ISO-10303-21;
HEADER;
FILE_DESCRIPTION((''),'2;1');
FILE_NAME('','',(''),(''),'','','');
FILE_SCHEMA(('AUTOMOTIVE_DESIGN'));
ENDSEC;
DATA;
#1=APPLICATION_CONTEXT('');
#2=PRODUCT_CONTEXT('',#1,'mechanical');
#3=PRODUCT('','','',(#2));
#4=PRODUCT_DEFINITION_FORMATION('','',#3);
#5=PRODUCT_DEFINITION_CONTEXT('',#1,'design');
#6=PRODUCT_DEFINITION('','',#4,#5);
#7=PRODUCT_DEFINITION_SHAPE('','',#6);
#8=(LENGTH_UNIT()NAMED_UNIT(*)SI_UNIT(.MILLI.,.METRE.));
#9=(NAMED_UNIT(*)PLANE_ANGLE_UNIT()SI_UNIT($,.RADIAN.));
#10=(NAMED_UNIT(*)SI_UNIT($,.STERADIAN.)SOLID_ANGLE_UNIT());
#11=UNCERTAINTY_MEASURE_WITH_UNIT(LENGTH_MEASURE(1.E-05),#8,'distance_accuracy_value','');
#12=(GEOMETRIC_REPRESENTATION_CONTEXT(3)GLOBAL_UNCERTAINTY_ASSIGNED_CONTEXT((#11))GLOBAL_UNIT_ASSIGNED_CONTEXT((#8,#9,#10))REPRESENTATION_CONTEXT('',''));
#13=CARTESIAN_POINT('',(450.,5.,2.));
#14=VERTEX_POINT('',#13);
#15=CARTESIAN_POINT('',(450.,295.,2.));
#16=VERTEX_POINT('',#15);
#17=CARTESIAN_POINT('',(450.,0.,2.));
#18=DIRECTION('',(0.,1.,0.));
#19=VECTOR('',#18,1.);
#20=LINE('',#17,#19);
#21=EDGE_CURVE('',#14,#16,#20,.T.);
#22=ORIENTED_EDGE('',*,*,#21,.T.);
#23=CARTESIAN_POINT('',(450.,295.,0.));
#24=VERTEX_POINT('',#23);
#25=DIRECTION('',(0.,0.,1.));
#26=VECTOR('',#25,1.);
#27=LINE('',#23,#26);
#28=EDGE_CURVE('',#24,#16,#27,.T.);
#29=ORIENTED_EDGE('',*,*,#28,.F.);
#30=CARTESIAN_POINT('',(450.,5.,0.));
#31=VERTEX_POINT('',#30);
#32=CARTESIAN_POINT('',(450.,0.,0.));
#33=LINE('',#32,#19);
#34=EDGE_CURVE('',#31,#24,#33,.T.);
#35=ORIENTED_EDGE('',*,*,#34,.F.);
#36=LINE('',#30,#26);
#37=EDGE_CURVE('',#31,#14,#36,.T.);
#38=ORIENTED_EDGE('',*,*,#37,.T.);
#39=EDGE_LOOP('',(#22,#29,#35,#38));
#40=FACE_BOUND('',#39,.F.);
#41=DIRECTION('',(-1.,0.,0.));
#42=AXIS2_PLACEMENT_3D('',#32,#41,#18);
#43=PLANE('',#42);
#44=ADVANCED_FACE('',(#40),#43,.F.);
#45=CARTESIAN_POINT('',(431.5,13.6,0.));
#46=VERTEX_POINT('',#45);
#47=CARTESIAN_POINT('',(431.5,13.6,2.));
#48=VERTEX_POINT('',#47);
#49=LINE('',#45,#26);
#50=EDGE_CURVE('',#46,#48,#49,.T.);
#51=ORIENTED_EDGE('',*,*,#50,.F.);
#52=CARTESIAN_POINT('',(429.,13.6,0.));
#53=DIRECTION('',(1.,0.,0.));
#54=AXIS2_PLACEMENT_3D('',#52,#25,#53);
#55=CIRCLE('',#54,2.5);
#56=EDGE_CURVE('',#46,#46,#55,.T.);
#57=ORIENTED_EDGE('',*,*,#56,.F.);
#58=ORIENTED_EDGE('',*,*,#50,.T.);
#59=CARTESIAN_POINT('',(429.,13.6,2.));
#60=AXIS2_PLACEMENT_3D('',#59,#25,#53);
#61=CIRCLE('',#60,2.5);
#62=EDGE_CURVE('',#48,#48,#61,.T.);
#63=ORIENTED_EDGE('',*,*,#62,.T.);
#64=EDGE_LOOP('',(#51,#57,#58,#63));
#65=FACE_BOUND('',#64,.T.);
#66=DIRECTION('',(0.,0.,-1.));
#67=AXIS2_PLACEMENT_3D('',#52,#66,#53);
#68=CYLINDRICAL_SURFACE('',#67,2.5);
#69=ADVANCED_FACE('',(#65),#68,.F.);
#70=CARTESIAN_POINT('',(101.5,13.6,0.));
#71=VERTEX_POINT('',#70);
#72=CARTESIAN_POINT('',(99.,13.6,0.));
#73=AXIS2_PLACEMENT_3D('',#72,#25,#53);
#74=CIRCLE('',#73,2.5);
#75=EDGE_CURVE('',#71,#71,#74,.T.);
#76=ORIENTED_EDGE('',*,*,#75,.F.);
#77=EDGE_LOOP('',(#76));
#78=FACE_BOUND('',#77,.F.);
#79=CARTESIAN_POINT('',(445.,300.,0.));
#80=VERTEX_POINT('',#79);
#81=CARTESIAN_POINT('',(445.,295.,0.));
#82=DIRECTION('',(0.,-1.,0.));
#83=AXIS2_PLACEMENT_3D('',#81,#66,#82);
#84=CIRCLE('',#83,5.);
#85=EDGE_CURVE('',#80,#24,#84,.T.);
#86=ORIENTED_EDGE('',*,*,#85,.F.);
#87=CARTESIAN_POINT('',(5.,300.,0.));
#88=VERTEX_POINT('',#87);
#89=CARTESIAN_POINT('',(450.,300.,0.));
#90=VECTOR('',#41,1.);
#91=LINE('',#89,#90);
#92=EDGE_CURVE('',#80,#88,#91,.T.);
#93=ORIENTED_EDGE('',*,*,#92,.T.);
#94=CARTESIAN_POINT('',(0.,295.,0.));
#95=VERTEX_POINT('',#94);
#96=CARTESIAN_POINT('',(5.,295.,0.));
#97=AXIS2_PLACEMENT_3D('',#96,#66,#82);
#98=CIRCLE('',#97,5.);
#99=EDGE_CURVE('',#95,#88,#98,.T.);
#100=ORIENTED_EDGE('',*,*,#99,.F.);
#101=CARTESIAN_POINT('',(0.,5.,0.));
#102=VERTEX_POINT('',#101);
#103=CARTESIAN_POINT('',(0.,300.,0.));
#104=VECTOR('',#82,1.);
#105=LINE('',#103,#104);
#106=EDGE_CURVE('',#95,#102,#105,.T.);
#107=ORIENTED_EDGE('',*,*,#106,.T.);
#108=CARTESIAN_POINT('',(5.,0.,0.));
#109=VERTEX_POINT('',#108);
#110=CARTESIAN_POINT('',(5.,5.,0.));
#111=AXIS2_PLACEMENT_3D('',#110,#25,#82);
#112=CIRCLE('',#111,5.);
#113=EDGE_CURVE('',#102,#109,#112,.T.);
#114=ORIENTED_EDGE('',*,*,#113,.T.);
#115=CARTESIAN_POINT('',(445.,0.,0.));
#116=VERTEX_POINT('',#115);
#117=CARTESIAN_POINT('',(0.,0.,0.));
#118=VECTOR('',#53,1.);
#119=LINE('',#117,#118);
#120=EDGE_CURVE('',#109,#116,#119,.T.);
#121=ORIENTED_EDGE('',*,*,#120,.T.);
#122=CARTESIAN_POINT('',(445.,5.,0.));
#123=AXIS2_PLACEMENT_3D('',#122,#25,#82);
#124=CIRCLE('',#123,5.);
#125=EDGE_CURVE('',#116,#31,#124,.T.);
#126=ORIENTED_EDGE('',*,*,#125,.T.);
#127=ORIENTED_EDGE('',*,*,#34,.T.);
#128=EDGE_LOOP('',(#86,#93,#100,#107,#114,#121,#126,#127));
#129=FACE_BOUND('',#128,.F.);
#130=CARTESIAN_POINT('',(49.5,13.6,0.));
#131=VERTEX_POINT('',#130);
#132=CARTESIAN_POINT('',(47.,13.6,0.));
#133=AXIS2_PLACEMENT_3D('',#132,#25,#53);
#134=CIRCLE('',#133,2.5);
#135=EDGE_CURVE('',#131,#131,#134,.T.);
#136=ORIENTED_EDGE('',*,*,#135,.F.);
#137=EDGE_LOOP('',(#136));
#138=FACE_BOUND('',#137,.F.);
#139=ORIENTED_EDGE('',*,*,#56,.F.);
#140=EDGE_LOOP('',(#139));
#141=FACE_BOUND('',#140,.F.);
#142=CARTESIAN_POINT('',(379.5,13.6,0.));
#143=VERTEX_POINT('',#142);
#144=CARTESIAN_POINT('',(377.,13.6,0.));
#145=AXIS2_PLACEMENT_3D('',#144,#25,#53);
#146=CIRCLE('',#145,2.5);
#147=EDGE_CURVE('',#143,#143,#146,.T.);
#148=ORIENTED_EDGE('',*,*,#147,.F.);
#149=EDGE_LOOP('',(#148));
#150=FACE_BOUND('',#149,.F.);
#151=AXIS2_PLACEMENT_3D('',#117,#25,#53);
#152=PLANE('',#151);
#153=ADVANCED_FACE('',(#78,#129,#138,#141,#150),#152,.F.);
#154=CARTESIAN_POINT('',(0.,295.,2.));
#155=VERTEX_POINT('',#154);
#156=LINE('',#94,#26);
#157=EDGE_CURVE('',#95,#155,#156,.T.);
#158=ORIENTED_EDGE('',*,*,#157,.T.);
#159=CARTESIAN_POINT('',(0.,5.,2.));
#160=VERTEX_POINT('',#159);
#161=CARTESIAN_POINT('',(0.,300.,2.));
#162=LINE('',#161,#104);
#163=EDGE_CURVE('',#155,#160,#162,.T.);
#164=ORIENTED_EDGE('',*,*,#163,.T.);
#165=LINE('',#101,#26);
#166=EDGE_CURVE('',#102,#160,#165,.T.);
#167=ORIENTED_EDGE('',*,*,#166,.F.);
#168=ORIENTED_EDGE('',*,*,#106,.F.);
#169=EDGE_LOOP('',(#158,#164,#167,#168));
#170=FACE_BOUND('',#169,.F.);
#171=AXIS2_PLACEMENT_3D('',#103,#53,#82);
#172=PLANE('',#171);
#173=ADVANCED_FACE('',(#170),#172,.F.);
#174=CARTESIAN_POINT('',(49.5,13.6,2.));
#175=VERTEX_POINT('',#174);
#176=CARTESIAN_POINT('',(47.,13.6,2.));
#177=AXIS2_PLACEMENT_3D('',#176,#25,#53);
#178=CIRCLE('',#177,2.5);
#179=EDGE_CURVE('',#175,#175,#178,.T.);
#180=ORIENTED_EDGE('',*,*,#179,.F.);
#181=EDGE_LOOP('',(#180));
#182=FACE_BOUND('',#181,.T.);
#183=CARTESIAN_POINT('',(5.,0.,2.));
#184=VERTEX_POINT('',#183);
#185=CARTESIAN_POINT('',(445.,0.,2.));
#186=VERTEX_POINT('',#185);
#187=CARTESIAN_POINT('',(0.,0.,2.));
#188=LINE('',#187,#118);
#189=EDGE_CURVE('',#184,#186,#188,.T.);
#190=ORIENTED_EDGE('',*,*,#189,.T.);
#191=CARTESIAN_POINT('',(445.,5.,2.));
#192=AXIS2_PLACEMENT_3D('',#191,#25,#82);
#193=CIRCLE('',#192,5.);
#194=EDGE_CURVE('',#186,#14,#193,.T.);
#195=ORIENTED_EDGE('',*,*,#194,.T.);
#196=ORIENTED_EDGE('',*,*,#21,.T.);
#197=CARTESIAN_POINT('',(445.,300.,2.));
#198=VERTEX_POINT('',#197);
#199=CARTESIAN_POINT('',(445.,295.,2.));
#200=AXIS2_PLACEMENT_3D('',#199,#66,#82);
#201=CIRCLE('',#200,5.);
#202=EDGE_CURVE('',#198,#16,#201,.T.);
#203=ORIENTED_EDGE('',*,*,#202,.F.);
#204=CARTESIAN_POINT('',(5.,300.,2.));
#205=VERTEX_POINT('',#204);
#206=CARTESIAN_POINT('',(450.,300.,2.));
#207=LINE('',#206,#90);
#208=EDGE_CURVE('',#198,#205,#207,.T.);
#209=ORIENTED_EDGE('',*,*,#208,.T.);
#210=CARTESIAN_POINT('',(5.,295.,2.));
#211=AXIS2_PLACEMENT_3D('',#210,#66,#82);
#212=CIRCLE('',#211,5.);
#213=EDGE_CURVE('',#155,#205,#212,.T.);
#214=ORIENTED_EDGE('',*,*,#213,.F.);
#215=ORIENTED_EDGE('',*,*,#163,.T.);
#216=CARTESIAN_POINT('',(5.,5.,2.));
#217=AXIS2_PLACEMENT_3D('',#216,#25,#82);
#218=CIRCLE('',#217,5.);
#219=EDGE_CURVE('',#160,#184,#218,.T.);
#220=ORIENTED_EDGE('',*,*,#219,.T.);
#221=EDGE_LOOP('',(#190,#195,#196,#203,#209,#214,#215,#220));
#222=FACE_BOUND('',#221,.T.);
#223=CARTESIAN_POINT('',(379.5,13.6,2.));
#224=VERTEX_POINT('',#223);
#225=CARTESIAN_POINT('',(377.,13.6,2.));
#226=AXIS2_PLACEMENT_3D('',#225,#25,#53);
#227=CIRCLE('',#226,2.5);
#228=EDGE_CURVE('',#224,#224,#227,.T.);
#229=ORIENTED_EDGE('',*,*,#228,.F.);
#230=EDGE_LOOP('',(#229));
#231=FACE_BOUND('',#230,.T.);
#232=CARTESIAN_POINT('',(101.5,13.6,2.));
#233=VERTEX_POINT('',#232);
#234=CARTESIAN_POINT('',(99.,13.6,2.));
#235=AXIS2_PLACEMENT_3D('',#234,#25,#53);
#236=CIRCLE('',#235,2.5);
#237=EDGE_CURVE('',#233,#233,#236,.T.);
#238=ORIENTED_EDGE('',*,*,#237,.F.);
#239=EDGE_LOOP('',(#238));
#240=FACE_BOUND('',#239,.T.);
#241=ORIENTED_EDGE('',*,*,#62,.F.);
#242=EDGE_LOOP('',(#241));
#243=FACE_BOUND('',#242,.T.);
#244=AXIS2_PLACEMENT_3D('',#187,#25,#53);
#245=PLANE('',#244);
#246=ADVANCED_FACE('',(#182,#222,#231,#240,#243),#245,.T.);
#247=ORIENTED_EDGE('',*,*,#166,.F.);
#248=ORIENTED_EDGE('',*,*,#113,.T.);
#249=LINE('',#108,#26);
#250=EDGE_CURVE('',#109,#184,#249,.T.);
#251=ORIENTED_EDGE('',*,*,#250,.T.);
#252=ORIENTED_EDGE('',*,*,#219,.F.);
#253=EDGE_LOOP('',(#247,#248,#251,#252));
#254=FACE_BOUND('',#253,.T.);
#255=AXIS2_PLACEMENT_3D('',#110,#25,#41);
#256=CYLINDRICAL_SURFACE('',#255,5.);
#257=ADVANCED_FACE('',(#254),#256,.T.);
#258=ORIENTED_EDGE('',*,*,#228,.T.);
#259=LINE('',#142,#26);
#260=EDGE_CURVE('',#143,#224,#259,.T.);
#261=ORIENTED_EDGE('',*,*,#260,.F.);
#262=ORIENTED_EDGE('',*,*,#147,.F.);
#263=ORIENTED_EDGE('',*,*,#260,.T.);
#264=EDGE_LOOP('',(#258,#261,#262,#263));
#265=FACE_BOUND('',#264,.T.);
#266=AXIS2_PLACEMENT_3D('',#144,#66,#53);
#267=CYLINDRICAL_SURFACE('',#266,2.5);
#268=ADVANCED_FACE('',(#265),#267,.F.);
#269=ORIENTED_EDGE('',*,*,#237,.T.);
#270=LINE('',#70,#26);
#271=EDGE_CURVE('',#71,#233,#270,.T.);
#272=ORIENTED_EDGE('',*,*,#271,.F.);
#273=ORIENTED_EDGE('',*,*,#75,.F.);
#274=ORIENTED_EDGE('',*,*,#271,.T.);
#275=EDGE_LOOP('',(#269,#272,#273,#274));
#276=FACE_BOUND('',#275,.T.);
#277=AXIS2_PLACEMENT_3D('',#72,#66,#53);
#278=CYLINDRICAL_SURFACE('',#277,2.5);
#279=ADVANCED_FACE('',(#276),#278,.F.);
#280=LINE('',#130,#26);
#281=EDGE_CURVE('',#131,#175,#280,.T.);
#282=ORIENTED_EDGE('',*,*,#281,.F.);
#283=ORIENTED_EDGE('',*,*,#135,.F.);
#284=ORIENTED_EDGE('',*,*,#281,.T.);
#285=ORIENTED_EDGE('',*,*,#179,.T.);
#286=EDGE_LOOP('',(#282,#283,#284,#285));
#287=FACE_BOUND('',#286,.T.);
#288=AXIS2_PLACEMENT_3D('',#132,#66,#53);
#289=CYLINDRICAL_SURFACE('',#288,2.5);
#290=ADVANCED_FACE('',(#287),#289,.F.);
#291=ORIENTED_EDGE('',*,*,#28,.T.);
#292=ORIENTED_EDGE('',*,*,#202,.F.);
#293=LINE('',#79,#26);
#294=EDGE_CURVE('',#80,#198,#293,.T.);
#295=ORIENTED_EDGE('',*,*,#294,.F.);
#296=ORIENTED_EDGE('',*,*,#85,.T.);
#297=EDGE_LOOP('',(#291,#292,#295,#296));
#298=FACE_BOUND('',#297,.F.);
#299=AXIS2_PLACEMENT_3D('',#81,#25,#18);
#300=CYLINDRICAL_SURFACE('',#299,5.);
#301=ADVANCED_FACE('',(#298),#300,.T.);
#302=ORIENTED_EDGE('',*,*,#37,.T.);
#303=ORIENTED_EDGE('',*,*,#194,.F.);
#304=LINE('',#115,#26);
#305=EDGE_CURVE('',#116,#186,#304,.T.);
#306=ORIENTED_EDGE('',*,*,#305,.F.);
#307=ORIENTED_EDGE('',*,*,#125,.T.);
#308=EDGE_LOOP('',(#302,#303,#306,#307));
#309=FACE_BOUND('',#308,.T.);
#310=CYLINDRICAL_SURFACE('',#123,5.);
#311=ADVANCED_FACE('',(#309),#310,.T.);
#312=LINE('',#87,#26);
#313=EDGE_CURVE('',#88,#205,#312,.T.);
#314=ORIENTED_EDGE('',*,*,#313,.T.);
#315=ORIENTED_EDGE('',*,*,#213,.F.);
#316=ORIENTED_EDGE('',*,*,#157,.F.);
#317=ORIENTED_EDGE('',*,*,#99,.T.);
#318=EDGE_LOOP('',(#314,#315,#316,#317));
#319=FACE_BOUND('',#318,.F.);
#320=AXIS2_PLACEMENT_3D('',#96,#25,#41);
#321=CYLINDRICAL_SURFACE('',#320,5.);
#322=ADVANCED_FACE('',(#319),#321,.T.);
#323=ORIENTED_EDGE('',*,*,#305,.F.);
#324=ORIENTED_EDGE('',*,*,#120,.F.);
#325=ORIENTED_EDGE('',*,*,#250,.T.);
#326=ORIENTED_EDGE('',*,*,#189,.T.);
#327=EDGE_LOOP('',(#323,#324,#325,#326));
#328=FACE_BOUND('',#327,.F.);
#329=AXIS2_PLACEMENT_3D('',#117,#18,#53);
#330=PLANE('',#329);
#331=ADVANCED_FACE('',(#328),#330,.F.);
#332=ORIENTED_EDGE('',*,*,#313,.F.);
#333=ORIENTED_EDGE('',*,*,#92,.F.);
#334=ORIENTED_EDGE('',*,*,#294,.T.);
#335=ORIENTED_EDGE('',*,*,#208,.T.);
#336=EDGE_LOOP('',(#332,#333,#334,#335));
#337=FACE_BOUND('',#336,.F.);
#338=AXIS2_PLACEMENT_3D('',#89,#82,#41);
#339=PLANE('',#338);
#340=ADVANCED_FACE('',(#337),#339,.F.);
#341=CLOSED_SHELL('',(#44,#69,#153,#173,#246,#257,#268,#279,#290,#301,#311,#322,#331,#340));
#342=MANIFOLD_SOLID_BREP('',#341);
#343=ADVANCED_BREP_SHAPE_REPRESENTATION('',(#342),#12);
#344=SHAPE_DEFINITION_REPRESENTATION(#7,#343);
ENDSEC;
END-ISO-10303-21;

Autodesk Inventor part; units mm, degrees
ref_plane "YZ Plane" through (0, 0, 0) normal (1, 0, 0) x (0, 1, 0)
ref_plane "XZ Plane" through (0, 0, 0) normal (0, 1, 0) x (-1, 0, 0)
ref_plane "XY Plane" through (0, 0, 0) normal (0, 0, 1) x (1, 0, 0)
sketch "スケッチ1" plane through (0, 0, 0) normal (0, 0, 1) x (1, 0, 0)
  line L0 (0, 0) -> (450, 0)
  line L1 (450, 0) -> (450, 300)
  line L2 (450, 300) -> (0, 300)
  line L3 (0, 300) -> (0, 0)
  line L4 (10, 290) -> (440, 290) construction
  line L5 (440, 290) -> (440, 10) construction
  line L6 (440, 10) -> (10, 10) construction
  line L7 (10, 10) -> (10, 290) construction
  circle A0 centre (20, 290) radius 2.5
  circle A1 centre (430, 290) radius 2.5
  circle A2 centre (225, 290) radius 2.5
  circle A3 centre (47, 13.6) radius 2.5
  circle A4 centre (99, 13.6) radius 2.5
  line L8 (47, 13.6) -> (99, 13.6) construction
  circle A5 centre (429, 13.6) radius 2.5
  circle A6 centre (377, 13.6) radius 2.5
  line L9 (429, 13.6) -> (377, 13.6) construction
  dimension "d0" = 450
  dimension "d1" = 300
  dimension "d2" = 10
  dimension "d3" = 20
  dimension "d4" = 20
  dimension "d5" = 5
  dimension "d8" = 13.6
  dimension "d9" = 5
  dimension "d10" = 47
  dimension "d11" = 52
  dimension "d12" = 21
  dimension "d13" = 52
  dimension "d14" = 13.6
extrude "押し出し1" add sketch "スケッチ1" along normal blind 2 contours L3 L2 L1 L0 | A0 | A1 | A2
fillet "フィレット1" radius 5 4 edges at (450, 0, 1) (450, 300, 1) (0, 0, 1) (0, 300, 1)
properties part number "防水2" material "PET プラスチック"
